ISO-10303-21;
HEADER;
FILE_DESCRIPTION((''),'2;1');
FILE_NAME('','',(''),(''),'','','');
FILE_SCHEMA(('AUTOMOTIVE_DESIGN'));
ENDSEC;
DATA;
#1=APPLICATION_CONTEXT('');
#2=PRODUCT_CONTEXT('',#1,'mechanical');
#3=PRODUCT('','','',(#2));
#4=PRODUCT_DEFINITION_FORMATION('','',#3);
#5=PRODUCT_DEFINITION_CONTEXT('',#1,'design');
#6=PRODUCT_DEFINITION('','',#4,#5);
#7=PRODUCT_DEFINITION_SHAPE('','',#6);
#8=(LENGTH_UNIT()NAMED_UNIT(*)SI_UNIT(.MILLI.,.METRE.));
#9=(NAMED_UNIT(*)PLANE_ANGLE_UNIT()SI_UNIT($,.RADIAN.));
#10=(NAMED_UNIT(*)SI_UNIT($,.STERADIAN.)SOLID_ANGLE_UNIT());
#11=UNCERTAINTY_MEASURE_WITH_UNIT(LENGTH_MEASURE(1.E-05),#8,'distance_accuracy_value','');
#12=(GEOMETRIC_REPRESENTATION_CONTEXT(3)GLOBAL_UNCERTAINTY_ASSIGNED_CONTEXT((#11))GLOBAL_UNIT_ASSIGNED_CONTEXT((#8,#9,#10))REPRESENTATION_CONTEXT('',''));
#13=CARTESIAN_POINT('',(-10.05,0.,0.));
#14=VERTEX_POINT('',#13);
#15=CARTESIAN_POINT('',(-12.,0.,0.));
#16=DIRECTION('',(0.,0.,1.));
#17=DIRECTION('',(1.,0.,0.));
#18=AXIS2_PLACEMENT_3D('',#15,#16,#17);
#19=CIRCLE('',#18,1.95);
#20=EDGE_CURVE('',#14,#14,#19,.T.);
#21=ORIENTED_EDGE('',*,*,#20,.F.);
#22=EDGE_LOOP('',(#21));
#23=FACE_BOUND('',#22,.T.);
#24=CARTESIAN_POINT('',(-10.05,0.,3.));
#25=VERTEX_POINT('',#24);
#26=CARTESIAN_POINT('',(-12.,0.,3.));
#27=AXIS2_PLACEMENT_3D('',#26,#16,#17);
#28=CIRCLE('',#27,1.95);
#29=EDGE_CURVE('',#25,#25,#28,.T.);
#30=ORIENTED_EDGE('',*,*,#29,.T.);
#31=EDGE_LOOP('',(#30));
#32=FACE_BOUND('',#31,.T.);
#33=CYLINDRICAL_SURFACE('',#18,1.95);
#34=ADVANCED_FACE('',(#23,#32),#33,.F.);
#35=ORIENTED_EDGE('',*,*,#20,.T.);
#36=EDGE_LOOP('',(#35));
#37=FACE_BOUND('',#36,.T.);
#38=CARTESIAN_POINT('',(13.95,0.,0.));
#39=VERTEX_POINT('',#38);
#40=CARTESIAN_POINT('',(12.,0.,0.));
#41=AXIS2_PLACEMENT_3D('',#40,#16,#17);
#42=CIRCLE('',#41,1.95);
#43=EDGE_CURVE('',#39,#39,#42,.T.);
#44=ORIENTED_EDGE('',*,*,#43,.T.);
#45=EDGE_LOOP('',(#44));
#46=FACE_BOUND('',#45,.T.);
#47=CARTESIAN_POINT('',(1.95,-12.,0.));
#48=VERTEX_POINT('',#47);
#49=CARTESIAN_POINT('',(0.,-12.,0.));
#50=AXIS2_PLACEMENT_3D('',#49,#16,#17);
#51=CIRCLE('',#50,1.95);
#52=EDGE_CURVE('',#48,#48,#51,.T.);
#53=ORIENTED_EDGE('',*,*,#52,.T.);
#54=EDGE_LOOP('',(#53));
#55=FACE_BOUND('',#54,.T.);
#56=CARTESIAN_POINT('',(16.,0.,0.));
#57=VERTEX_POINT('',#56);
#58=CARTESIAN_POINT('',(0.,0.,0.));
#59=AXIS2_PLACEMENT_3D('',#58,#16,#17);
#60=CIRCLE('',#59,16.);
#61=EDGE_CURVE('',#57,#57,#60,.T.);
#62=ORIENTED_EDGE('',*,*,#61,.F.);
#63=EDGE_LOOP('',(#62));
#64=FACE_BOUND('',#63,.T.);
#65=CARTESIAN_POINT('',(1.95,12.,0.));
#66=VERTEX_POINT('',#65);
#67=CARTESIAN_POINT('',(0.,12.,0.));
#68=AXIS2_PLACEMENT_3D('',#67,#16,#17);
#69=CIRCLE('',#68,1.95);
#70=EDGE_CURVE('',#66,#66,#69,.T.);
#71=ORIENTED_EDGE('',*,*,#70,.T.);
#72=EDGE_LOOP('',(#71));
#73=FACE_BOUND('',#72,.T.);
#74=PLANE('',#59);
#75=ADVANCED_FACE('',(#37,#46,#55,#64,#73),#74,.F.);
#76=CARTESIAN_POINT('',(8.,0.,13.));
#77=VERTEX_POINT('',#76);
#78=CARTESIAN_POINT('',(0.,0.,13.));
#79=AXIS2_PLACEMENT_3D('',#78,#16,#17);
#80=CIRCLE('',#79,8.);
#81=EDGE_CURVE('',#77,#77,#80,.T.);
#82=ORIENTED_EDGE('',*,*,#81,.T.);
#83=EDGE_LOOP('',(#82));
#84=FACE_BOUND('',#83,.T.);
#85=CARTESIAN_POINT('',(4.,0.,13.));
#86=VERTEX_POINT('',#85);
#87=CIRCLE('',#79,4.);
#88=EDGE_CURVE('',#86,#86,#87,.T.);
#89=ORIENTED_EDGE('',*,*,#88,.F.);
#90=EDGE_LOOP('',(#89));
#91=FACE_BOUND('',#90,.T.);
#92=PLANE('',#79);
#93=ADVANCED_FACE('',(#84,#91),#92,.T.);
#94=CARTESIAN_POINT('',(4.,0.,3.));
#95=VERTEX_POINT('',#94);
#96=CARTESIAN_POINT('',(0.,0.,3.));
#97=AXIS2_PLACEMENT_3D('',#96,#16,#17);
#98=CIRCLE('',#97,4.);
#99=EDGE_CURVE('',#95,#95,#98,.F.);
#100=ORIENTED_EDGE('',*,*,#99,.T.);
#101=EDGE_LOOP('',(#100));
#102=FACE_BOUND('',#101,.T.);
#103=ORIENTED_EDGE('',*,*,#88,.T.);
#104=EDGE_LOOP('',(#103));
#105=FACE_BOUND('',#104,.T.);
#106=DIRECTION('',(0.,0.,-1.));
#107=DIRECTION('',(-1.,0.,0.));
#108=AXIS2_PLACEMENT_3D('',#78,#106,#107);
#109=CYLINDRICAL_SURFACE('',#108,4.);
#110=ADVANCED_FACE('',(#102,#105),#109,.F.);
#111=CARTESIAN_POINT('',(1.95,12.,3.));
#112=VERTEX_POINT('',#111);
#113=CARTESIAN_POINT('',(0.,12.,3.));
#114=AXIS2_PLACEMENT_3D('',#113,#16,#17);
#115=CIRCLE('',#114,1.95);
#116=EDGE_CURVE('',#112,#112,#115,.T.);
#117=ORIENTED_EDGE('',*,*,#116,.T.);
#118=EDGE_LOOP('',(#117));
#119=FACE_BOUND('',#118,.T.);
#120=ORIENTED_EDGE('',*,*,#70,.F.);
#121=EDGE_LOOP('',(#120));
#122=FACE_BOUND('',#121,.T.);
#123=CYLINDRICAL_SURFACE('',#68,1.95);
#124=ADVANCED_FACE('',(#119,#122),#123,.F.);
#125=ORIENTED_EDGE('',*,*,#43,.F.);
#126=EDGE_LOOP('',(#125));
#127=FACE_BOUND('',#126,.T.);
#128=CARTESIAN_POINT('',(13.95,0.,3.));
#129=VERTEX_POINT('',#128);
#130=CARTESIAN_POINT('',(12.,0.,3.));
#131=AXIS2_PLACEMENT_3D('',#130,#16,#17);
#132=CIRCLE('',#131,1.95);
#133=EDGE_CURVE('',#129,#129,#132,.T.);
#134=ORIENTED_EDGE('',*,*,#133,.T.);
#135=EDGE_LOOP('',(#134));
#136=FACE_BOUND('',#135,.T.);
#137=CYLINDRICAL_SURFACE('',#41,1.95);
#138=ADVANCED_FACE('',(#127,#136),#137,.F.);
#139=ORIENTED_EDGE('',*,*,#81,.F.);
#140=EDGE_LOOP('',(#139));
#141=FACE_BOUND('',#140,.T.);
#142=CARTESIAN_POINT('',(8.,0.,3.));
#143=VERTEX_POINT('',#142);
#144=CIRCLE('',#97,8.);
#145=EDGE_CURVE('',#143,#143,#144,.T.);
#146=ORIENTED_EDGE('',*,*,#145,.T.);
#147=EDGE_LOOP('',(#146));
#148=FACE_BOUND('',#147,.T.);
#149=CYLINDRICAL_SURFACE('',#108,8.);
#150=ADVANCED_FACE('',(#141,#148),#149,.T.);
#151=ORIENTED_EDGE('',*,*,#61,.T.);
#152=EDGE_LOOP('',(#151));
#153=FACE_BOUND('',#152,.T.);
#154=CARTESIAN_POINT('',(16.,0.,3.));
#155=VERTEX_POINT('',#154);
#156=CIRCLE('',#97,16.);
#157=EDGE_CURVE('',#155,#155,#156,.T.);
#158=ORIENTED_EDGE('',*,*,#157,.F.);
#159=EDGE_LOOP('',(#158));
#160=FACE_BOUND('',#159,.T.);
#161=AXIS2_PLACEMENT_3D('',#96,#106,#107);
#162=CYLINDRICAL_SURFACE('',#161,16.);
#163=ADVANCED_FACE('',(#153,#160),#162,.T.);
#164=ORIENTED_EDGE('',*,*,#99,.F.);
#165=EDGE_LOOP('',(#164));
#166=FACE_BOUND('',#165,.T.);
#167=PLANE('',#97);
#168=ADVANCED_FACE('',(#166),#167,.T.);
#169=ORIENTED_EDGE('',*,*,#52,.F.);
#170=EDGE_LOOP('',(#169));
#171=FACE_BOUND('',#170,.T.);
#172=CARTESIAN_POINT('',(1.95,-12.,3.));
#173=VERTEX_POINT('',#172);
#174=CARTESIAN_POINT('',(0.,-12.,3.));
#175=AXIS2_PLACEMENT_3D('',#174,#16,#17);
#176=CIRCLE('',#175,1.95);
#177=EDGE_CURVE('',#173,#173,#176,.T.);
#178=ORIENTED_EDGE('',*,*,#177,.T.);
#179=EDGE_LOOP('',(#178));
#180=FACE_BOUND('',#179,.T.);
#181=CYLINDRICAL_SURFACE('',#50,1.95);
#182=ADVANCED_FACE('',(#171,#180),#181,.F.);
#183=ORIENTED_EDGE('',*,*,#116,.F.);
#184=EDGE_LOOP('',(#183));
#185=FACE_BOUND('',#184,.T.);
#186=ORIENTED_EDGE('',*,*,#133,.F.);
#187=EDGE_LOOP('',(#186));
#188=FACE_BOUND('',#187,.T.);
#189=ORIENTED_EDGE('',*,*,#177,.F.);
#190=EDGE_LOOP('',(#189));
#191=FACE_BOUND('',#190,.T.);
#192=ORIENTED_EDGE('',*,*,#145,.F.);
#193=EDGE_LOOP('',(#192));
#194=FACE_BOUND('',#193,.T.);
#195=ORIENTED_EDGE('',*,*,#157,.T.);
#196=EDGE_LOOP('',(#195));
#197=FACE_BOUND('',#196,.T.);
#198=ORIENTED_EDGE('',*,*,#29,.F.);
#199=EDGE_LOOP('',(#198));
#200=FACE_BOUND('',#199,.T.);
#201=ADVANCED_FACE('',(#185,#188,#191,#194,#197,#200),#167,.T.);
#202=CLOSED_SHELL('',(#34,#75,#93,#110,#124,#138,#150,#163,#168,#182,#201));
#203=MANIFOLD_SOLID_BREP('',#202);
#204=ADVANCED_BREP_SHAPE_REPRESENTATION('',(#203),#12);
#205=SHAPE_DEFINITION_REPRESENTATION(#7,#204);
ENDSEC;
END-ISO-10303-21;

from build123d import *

# Parameters (mm, degrees)
CROQUIS1_R              = 16
SALIENTE_EXTRUIR1_DEPTH = 3
CROQUIS2_R              = 8
CROQUIS2_R_2            = 4
SALIENTE_EXTRUIR2_DEPTH = 10
CROQUIS3_R              = 1.95
CORTAR_EXTRUIR1_DEPTH   = 3


with BuildPart() as part:
    # Croquis1 → Saliente-Extruir1 (new body)
    with BuildSketch(Plane.XY):
        Circle(CROQUIS1_R)
    extrude(amount=SALIENTE_EXTRUIR1_DEPTH)

    # Croquis2 → Saliente-Extruir2 (add)
    with BuildSketch(Plane.XY.offset(3)):
        Circle(CROQUIS2_R)
        Circle(CROQUIS2_R_2, mode=Mode.SUBTRACT)
    extrude(amount=SALIENTE_EXTRUIR2_DEPTH)

    # Croquis3 → Cortar-Extruir1 (cut)
    with BuildSketch(Plane.XY.offset(3)):
        with Locations((0, 12)):
            Circle(CROQUIS3_R)
        with Locations((12, 0)):
            Circle(CROQUIS3_R)
        with Locations((0, -12)):
            Circle(CROQUIS3_R)
        with Locations((-12, 0)):
            Circle(CROQUIS3_R)
    extrude(amount=-CORTAR_EXTRUIR1_DEPTH, mode=Mode.SUBTRACT)


solid = part.part
